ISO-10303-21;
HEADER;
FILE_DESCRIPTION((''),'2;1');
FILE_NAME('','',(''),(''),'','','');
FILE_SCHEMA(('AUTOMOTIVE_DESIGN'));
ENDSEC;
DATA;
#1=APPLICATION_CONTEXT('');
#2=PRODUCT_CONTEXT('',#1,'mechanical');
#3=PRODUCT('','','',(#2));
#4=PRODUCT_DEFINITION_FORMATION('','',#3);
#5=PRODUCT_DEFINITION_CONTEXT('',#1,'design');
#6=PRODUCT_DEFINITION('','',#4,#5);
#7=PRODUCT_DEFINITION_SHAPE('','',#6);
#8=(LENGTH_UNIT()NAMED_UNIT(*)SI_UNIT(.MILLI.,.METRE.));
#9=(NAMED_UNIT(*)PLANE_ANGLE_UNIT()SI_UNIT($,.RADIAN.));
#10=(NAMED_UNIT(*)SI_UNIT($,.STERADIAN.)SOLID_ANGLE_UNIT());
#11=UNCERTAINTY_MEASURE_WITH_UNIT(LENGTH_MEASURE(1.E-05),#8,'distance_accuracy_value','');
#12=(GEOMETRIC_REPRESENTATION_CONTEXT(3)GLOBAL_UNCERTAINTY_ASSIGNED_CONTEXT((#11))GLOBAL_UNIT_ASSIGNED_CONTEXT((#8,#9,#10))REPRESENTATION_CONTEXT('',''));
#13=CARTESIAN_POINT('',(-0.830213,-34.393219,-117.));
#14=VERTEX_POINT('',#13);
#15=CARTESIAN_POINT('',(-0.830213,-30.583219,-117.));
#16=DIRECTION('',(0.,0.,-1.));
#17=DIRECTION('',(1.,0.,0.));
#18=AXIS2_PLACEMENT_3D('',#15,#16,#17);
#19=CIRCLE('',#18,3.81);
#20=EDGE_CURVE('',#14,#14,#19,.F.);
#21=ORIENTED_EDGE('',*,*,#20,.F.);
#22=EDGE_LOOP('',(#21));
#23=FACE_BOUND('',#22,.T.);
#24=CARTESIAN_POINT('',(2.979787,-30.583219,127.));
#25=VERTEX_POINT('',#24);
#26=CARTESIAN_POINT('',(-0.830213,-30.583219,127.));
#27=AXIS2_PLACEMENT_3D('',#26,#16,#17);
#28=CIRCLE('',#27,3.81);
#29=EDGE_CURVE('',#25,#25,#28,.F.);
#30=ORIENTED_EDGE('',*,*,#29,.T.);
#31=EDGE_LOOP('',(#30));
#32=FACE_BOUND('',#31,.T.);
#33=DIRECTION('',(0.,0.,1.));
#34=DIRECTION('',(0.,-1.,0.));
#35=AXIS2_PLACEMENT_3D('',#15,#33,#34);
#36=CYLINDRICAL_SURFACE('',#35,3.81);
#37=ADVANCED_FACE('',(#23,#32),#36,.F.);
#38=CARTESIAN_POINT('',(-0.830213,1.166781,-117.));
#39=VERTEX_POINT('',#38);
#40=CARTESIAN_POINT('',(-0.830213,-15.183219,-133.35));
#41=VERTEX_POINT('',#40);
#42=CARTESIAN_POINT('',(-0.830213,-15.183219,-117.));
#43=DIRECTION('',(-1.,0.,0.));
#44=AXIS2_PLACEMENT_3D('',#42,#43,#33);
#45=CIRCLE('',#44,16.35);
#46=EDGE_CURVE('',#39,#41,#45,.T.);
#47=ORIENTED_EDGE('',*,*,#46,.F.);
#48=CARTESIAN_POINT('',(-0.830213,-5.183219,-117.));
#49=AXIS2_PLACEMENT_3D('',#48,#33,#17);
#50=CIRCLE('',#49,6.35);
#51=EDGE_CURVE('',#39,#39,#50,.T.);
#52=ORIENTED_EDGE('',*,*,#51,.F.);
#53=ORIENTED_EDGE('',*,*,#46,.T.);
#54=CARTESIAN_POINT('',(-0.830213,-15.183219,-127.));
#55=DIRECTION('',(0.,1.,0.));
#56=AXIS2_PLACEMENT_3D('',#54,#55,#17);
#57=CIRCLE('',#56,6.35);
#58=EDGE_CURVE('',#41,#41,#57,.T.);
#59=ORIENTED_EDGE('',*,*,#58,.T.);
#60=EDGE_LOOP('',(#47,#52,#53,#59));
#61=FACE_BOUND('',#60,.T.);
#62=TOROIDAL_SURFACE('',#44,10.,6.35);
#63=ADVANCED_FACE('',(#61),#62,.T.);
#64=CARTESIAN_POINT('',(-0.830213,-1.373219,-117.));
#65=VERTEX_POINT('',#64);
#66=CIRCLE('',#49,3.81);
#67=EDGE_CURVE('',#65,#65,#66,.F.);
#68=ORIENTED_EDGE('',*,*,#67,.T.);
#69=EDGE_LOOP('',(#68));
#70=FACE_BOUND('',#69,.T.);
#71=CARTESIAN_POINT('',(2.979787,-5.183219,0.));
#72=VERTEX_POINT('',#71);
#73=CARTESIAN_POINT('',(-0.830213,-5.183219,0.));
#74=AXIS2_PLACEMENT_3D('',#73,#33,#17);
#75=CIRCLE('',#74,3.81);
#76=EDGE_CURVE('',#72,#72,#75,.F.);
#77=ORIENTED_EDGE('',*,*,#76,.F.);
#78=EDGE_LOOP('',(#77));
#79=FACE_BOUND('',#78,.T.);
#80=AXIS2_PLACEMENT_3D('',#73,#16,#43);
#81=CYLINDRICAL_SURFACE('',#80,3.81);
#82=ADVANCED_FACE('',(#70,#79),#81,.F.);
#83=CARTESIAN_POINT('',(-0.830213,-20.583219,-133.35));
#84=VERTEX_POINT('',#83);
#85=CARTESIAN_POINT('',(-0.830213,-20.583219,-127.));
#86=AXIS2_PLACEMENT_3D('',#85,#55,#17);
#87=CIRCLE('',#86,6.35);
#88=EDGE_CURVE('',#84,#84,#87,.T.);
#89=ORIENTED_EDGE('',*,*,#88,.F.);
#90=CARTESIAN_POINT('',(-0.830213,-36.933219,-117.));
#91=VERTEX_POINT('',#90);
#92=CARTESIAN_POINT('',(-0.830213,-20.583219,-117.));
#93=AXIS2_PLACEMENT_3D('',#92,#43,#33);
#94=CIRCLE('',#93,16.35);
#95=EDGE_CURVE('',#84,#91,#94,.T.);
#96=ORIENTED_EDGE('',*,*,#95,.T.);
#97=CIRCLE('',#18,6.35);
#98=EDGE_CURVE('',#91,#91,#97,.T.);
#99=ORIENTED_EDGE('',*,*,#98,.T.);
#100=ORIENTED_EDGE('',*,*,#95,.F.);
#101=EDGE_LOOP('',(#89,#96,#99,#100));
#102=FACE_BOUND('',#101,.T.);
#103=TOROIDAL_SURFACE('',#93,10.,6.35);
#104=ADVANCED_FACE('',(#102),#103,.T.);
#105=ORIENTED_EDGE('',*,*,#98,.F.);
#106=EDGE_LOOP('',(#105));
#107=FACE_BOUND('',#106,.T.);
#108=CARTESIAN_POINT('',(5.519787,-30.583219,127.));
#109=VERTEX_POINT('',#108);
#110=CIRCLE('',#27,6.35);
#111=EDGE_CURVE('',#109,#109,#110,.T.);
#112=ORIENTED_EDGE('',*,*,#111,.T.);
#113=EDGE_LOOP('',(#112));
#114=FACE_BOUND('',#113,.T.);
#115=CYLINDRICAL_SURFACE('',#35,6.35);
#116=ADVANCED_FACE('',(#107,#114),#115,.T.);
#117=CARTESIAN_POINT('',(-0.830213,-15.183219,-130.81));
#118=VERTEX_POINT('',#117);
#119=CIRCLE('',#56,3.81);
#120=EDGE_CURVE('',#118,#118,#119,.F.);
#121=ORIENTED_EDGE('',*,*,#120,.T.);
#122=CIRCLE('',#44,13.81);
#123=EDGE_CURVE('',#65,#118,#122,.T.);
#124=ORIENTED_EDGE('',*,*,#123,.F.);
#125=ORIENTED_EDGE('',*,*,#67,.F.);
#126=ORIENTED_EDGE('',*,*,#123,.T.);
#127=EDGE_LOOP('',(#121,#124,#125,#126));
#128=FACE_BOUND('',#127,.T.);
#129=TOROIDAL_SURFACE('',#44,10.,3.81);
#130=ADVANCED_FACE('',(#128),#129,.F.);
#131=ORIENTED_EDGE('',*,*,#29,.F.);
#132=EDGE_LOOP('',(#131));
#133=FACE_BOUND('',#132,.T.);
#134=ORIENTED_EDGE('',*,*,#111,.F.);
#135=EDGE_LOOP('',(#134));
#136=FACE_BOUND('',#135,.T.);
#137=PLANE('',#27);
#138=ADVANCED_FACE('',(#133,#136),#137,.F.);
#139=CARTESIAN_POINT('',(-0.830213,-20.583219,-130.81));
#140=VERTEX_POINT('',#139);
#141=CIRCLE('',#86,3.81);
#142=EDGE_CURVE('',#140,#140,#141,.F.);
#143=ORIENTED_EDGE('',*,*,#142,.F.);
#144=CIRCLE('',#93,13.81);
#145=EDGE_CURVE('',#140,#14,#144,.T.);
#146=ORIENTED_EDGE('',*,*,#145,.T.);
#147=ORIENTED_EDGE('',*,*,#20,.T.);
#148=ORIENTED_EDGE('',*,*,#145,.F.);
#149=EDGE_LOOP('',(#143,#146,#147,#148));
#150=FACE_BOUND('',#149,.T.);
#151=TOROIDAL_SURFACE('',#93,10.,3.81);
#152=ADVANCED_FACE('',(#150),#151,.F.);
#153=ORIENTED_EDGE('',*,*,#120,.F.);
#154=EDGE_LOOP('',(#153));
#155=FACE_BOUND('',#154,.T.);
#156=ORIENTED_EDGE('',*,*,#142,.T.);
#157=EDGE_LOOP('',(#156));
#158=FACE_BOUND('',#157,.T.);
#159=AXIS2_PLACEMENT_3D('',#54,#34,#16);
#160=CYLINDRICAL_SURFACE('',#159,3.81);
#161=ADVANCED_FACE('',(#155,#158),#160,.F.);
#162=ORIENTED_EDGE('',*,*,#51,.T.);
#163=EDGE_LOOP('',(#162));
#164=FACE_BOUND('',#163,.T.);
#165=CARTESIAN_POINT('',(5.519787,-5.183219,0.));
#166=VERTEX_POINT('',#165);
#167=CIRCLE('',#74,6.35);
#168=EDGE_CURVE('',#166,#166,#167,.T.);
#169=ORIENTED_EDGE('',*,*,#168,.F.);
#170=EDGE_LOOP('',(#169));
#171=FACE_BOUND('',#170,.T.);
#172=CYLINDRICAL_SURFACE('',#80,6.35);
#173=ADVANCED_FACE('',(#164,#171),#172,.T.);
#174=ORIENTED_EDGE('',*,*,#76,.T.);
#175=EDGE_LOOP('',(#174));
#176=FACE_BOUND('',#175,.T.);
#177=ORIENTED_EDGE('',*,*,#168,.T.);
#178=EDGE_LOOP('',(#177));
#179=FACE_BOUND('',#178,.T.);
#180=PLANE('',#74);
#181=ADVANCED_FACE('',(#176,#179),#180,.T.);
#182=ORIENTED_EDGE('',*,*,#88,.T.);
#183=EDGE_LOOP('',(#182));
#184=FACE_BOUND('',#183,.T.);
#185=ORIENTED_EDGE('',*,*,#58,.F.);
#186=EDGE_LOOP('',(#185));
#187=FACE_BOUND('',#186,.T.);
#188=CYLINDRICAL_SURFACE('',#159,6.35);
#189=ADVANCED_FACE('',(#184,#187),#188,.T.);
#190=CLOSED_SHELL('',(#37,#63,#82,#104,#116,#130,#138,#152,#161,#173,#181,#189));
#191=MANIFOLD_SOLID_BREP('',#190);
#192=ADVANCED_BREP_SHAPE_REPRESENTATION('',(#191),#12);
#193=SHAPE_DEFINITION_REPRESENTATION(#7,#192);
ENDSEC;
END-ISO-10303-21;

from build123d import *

# Parameters (mm, degrees)
SKETCH13_R   = 6.35
SKETCH13_R_2 = 3.81


with BuildPart() as part:
    # Sweep1: sweep along a path in Sketch14
    with BuildLine(Plane(origin=(0, 0, 0), x_dir=(0, 0, -1), z_dir=(1, 0, 0))) as sweep1_path:
        Line((0, -5.183219143), (117, -5.183219143))
        ThreePointArc((117, -5.183219143), (124.071067812, -8.112151331), (127, -15.183219143))
        Line((127, -15.183219143), (127, -20.583219143))
        ThreePointArc((127, -20.583219143), (124.071067812, -27.654286955), (117, -30.583219143))
        Line((117, -30.583219143), (-127, -30.583219143))
    # Sketch13 → Sweep1 (sweep)
    with BuildSketch(Plane.XY):
        with Locations((-0.83021259, -5.183219143)):
            Circle(SKETCH13_R)
        with Locations((-0.83021259, -5.183219143)):
            Circle(SKETCH13_R_2, mode=Mode.SUBTRACT)
    sweep(path=sweep1_path.line)


solid = part.part
